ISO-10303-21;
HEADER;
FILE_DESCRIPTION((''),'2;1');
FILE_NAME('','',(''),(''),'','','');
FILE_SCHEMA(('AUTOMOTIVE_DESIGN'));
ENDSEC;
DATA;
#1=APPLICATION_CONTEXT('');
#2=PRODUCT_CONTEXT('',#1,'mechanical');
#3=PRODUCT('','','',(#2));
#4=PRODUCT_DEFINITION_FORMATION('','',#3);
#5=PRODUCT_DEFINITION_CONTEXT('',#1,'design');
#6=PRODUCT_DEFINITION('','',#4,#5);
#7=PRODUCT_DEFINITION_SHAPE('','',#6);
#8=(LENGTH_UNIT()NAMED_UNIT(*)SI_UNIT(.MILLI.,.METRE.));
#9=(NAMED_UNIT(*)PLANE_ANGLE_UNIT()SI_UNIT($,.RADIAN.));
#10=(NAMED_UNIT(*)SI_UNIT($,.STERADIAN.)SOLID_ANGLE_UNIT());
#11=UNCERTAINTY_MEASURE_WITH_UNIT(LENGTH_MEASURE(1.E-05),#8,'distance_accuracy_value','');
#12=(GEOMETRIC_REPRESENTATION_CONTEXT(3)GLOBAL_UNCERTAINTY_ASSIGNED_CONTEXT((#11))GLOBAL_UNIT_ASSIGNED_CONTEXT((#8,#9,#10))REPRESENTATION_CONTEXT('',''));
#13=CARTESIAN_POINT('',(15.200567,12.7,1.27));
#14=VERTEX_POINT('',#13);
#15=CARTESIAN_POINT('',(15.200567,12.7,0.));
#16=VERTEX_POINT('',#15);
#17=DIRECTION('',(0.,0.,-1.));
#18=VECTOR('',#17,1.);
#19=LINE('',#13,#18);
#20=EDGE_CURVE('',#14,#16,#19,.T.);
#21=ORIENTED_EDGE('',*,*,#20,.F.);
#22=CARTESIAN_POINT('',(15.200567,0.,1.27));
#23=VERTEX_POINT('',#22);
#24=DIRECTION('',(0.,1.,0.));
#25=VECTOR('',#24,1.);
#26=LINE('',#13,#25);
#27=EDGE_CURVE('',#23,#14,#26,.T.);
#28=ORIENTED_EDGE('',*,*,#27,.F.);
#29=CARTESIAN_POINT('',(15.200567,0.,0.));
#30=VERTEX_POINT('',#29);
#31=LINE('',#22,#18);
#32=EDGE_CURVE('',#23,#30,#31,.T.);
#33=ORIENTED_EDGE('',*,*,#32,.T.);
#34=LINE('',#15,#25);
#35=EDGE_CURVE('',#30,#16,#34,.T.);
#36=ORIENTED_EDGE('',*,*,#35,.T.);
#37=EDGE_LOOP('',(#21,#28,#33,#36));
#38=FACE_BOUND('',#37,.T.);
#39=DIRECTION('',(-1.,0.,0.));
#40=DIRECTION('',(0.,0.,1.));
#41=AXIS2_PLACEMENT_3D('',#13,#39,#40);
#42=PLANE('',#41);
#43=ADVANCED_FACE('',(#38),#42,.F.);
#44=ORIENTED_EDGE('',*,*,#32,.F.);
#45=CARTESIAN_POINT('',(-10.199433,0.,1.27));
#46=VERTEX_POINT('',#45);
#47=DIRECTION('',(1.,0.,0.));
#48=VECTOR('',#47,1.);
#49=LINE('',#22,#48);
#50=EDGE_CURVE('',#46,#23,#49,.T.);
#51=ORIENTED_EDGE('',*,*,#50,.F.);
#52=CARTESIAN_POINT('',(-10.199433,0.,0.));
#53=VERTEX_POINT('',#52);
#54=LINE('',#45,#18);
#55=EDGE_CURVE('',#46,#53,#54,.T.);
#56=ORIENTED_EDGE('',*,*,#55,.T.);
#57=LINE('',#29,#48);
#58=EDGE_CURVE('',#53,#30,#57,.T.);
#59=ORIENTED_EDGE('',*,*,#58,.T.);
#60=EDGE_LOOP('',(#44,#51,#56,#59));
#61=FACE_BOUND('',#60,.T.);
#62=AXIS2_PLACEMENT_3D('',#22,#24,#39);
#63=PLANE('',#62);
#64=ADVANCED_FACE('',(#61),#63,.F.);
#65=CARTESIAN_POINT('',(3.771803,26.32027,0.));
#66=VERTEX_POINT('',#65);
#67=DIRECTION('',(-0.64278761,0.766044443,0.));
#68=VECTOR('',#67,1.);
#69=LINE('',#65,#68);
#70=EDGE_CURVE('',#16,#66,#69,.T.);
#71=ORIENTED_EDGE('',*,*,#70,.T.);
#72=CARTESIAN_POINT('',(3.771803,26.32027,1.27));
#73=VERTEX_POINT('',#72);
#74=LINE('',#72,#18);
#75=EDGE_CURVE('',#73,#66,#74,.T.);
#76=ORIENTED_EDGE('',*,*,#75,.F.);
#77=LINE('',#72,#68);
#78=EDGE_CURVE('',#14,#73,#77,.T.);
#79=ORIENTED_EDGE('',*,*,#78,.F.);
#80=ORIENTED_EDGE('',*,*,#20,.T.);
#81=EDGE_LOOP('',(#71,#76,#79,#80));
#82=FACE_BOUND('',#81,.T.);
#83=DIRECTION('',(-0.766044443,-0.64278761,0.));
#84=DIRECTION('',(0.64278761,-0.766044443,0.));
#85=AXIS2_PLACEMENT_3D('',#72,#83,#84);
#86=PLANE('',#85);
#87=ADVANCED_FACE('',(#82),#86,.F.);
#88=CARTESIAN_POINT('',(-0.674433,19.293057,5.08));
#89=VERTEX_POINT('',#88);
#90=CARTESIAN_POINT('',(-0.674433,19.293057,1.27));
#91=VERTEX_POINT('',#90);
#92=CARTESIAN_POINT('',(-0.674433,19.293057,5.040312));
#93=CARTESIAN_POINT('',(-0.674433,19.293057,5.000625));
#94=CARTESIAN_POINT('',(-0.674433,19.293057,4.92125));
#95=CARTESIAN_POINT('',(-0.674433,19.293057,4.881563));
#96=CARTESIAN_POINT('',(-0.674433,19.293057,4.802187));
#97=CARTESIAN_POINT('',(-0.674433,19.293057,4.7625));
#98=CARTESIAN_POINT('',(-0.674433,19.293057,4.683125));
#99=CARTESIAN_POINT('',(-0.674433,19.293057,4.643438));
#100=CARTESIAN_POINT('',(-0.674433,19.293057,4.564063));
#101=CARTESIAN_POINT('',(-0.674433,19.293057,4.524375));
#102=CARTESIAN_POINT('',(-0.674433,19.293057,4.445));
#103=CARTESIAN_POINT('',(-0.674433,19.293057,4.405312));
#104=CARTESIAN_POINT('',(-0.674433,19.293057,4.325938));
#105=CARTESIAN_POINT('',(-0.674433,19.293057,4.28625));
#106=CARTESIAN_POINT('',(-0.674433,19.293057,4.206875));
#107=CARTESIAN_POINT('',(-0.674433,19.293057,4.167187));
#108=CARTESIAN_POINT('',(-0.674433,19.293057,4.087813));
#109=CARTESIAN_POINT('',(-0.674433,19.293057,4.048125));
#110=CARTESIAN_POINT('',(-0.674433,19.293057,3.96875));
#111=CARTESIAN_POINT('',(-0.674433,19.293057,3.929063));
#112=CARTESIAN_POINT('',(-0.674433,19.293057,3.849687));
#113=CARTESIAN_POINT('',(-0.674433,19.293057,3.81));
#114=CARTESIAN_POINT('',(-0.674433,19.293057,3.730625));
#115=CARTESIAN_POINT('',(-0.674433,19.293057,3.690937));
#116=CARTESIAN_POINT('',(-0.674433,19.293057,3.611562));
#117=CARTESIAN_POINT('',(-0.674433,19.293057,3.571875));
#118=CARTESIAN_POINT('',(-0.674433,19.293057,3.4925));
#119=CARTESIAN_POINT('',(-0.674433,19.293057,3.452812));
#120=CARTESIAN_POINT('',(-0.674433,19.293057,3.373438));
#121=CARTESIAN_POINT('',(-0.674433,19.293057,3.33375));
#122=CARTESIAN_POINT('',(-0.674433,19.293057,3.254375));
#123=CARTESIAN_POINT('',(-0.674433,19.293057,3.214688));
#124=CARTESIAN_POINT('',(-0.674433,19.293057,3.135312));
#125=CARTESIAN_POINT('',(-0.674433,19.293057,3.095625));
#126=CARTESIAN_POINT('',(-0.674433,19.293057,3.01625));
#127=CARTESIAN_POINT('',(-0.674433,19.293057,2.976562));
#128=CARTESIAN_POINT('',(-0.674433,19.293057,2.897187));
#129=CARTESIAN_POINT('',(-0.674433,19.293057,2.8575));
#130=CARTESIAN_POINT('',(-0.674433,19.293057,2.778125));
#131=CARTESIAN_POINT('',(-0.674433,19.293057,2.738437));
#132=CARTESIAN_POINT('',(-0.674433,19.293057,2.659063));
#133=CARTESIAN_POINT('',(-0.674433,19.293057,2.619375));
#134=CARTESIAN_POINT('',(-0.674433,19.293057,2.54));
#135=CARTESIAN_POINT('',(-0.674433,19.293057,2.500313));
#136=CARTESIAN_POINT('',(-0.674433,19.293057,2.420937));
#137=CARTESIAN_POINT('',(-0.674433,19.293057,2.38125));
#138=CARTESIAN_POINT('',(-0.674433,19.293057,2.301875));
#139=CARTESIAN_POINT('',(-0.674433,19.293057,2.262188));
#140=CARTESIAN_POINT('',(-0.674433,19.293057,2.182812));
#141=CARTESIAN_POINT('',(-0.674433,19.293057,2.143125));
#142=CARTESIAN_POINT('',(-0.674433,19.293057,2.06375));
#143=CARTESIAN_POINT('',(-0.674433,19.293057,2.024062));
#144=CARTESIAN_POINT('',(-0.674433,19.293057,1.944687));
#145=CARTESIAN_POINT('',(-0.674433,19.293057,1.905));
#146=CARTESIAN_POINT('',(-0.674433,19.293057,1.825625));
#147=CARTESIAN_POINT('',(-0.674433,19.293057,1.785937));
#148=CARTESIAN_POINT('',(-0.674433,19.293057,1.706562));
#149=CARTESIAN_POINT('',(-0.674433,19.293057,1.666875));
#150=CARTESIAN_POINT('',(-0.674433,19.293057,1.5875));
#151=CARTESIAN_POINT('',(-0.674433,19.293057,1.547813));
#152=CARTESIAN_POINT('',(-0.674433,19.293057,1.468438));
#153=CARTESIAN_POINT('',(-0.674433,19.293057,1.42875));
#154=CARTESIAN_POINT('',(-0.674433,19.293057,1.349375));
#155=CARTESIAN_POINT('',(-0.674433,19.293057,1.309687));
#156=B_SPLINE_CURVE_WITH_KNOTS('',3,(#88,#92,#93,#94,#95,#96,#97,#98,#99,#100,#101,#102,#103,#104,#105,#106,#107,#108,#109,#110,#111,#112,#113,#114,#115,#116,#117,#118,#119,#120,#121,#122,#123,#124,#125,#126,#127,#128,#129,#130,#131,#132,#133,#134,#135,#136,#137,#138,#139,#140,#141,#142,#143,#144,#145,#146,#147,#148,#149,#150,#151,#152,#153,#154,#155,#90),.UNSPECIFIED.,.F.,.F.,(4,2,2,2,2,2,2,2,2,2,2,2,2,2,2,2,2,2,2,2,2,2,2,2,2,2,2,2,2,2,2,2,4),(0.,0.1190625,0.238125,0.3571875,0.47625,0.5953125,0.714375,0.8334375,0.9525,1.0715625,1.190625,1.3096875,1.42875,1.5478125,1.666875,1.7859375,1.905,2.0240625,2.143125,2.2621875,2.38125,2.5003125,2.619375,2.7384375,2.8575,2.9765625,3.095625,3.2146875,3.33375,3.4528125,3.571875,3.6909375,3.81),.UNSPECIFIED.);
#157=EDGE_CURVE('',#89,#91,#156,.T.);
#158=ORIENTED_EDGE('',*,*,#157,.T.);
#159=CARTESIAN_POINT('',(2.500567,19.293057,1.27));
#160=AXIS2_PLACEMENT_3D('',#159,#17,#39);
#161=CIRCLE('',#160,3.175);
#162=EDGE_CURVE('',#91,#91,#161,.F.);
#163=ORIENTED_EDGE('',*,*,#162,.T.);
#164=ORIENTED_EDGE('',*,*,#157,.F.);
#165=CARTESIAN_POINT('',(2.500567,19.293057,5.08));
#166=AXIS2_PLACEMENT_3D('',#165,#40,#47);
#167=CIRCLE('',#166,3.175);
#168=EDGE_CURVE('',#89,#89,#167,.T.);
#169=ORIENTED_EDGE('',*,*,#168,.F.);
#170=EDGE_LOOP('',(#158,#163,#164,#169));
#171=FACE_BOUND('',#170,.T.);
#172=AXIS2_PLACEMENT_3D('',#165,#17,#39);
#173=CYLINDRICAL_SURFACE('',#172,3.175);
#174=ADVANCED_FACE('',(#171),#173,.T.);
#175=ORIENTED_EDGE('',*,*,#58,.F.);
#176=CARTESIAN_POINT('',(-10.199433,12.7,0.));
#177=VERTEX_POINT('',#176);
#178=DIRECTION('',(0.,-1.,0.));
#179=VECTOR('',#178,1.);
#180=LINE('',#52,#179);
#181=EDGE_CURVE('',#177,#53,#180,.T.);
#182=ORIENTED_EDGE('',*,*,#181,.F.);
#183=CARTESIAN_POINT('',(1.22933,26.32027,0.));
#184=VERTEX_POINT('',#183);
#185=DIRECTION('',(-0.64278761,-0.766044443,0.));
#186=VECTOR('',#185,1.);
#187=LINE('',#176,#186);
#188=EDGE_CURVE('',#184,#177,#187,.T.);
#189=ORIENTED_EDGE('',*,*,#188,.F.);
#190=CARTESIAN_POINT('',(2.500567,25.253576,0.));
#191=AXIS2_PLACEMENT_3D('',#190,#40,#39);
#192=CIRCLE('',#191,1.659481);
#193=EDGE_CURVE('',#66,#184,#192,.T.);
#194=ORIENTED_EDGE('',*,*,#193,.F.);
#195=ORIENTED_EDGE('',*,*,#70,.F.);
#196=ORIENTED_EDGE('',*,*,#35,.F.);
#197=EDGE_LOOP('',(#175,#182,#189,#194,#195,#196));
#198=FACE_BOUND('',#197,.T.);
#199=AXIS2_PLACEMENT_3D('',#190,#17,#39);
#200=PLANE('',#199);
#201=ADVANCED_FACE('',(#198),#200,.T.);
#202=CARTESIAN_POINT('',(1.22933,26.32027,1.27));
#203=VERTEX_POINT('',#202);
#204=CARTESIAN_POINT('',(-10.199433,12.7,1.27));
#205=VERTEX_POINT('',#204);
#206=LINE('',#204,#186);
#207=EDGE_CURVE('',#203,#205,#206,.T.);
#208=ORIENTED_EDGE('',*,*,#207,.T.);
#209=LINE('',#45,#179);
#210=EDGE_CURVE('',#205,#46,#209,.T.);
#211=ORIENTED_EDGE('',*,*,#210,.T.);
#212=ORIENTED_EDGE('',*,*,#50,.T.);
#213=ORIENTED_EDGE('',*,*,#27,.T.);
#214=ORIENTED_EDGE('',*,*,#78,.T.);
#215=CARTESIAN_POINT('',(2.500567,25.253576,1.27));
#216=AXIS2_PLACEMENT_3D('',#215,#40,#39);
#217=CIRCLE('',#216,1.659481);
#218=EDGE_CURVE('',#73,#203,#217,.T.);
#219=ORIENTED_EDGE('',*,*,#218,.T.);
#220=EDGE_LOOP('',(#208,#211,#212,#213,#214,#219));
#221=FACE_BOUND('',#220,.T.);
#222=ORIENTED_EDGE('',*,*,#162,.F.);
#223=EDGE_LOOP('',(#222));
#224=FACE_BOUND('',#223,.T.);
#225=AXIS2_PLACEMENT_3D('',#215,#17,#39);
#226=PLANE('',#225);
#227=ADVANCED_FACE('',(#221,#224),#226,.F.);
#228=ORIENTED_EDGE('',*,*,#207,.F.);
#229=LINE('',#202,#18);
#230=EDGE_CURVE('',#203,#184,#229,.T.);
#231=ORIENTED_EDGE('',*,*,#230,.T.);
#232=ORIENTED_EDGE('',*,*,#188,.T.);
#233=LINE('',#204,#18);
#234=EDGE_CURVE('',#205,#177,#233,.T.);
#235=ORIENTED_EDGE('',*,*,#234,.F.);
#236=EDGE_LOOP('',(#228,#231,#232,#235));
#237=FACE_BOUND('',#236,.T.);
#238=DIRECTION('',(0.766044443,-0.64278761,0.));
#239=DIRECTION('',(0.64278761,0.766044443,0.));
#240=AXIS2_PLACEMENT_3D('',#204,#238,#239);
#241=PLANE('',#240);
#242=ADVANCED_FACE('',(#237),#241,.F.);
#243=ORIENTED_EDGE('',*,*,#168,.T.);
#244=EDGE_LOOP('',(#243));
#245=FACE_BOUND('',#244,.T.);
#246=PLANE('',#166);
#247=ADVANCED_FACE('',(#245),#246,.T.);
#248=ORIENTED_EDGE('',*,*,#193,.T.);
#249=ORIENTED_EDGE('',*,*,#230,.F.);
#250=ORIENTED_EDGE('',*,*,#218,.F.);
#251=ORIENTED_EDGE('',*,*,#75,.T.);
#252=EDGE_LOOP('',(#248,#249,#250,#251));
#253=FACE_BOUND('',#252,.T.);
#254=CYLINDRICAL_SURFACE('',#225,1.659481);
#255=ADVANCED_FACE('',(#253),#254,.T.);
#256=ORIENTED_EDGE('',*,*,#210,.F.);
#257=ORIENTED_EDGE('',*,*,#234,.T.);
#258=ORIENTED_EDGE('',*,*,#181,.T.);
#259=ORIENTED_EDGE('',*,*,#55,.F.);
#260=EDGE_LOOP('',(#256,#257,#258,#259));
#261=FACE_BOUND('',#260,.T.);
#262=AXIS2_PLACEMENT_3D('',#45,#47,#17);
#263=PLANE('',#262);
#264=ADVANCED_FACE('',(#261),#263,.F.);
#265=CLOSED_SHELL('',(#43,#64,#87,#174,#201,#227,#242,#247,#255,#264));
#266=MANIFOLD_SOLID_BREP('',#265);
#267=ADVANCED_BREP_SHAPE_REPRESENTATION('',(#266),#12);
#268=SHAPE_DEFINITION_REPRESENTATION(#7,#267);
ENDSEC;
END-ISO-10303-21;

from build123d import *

# Parameters (mm, degrees)
BOSS_EXTRUDE2_DEPTH = 1.27
SKETCH2_R           = 3.175
BOSS_EXTRUDE4_DEPTH = 3.81


with BuildPart() as part:
    # Sketch1 → Boss-Extrude2 (new body)
    with BuildSketch(Plane.XY):
        with BuildLine():
            Line((-10.19943336, 0), (-10.19943336, 12.7))
            Line((-10.19943336, 12.7), (1.22933034, 26.320270199))
            ThreePointArc((1.22933034, 26.320270199), (2.50056664, 26.913057421), (3.77180294, 26.320270199))
            Line((3.77180294, 26.320270199), (15.20056664, 12.7))
            Line((15.20056664, 12.7), (15.20056664, 0))
            Line((15.20056664, 0), (-10.19943336, 0))
        make_face()
    extrude(amount=BOSS_EXTRUDE2_DEPTH)

    # Sketch2 → Boss-Extrude4 (add)
    with BuildSketch(Plane.XY.offset(1.27)):
        with Locations(Location((2.50056664, 19.293057421, 0), (0, 0, 180))):
            Circle(SKETCH2_R)
    extrude(amount=BOSS_EXTRUDE4_DEPTH)


solid = part.part
